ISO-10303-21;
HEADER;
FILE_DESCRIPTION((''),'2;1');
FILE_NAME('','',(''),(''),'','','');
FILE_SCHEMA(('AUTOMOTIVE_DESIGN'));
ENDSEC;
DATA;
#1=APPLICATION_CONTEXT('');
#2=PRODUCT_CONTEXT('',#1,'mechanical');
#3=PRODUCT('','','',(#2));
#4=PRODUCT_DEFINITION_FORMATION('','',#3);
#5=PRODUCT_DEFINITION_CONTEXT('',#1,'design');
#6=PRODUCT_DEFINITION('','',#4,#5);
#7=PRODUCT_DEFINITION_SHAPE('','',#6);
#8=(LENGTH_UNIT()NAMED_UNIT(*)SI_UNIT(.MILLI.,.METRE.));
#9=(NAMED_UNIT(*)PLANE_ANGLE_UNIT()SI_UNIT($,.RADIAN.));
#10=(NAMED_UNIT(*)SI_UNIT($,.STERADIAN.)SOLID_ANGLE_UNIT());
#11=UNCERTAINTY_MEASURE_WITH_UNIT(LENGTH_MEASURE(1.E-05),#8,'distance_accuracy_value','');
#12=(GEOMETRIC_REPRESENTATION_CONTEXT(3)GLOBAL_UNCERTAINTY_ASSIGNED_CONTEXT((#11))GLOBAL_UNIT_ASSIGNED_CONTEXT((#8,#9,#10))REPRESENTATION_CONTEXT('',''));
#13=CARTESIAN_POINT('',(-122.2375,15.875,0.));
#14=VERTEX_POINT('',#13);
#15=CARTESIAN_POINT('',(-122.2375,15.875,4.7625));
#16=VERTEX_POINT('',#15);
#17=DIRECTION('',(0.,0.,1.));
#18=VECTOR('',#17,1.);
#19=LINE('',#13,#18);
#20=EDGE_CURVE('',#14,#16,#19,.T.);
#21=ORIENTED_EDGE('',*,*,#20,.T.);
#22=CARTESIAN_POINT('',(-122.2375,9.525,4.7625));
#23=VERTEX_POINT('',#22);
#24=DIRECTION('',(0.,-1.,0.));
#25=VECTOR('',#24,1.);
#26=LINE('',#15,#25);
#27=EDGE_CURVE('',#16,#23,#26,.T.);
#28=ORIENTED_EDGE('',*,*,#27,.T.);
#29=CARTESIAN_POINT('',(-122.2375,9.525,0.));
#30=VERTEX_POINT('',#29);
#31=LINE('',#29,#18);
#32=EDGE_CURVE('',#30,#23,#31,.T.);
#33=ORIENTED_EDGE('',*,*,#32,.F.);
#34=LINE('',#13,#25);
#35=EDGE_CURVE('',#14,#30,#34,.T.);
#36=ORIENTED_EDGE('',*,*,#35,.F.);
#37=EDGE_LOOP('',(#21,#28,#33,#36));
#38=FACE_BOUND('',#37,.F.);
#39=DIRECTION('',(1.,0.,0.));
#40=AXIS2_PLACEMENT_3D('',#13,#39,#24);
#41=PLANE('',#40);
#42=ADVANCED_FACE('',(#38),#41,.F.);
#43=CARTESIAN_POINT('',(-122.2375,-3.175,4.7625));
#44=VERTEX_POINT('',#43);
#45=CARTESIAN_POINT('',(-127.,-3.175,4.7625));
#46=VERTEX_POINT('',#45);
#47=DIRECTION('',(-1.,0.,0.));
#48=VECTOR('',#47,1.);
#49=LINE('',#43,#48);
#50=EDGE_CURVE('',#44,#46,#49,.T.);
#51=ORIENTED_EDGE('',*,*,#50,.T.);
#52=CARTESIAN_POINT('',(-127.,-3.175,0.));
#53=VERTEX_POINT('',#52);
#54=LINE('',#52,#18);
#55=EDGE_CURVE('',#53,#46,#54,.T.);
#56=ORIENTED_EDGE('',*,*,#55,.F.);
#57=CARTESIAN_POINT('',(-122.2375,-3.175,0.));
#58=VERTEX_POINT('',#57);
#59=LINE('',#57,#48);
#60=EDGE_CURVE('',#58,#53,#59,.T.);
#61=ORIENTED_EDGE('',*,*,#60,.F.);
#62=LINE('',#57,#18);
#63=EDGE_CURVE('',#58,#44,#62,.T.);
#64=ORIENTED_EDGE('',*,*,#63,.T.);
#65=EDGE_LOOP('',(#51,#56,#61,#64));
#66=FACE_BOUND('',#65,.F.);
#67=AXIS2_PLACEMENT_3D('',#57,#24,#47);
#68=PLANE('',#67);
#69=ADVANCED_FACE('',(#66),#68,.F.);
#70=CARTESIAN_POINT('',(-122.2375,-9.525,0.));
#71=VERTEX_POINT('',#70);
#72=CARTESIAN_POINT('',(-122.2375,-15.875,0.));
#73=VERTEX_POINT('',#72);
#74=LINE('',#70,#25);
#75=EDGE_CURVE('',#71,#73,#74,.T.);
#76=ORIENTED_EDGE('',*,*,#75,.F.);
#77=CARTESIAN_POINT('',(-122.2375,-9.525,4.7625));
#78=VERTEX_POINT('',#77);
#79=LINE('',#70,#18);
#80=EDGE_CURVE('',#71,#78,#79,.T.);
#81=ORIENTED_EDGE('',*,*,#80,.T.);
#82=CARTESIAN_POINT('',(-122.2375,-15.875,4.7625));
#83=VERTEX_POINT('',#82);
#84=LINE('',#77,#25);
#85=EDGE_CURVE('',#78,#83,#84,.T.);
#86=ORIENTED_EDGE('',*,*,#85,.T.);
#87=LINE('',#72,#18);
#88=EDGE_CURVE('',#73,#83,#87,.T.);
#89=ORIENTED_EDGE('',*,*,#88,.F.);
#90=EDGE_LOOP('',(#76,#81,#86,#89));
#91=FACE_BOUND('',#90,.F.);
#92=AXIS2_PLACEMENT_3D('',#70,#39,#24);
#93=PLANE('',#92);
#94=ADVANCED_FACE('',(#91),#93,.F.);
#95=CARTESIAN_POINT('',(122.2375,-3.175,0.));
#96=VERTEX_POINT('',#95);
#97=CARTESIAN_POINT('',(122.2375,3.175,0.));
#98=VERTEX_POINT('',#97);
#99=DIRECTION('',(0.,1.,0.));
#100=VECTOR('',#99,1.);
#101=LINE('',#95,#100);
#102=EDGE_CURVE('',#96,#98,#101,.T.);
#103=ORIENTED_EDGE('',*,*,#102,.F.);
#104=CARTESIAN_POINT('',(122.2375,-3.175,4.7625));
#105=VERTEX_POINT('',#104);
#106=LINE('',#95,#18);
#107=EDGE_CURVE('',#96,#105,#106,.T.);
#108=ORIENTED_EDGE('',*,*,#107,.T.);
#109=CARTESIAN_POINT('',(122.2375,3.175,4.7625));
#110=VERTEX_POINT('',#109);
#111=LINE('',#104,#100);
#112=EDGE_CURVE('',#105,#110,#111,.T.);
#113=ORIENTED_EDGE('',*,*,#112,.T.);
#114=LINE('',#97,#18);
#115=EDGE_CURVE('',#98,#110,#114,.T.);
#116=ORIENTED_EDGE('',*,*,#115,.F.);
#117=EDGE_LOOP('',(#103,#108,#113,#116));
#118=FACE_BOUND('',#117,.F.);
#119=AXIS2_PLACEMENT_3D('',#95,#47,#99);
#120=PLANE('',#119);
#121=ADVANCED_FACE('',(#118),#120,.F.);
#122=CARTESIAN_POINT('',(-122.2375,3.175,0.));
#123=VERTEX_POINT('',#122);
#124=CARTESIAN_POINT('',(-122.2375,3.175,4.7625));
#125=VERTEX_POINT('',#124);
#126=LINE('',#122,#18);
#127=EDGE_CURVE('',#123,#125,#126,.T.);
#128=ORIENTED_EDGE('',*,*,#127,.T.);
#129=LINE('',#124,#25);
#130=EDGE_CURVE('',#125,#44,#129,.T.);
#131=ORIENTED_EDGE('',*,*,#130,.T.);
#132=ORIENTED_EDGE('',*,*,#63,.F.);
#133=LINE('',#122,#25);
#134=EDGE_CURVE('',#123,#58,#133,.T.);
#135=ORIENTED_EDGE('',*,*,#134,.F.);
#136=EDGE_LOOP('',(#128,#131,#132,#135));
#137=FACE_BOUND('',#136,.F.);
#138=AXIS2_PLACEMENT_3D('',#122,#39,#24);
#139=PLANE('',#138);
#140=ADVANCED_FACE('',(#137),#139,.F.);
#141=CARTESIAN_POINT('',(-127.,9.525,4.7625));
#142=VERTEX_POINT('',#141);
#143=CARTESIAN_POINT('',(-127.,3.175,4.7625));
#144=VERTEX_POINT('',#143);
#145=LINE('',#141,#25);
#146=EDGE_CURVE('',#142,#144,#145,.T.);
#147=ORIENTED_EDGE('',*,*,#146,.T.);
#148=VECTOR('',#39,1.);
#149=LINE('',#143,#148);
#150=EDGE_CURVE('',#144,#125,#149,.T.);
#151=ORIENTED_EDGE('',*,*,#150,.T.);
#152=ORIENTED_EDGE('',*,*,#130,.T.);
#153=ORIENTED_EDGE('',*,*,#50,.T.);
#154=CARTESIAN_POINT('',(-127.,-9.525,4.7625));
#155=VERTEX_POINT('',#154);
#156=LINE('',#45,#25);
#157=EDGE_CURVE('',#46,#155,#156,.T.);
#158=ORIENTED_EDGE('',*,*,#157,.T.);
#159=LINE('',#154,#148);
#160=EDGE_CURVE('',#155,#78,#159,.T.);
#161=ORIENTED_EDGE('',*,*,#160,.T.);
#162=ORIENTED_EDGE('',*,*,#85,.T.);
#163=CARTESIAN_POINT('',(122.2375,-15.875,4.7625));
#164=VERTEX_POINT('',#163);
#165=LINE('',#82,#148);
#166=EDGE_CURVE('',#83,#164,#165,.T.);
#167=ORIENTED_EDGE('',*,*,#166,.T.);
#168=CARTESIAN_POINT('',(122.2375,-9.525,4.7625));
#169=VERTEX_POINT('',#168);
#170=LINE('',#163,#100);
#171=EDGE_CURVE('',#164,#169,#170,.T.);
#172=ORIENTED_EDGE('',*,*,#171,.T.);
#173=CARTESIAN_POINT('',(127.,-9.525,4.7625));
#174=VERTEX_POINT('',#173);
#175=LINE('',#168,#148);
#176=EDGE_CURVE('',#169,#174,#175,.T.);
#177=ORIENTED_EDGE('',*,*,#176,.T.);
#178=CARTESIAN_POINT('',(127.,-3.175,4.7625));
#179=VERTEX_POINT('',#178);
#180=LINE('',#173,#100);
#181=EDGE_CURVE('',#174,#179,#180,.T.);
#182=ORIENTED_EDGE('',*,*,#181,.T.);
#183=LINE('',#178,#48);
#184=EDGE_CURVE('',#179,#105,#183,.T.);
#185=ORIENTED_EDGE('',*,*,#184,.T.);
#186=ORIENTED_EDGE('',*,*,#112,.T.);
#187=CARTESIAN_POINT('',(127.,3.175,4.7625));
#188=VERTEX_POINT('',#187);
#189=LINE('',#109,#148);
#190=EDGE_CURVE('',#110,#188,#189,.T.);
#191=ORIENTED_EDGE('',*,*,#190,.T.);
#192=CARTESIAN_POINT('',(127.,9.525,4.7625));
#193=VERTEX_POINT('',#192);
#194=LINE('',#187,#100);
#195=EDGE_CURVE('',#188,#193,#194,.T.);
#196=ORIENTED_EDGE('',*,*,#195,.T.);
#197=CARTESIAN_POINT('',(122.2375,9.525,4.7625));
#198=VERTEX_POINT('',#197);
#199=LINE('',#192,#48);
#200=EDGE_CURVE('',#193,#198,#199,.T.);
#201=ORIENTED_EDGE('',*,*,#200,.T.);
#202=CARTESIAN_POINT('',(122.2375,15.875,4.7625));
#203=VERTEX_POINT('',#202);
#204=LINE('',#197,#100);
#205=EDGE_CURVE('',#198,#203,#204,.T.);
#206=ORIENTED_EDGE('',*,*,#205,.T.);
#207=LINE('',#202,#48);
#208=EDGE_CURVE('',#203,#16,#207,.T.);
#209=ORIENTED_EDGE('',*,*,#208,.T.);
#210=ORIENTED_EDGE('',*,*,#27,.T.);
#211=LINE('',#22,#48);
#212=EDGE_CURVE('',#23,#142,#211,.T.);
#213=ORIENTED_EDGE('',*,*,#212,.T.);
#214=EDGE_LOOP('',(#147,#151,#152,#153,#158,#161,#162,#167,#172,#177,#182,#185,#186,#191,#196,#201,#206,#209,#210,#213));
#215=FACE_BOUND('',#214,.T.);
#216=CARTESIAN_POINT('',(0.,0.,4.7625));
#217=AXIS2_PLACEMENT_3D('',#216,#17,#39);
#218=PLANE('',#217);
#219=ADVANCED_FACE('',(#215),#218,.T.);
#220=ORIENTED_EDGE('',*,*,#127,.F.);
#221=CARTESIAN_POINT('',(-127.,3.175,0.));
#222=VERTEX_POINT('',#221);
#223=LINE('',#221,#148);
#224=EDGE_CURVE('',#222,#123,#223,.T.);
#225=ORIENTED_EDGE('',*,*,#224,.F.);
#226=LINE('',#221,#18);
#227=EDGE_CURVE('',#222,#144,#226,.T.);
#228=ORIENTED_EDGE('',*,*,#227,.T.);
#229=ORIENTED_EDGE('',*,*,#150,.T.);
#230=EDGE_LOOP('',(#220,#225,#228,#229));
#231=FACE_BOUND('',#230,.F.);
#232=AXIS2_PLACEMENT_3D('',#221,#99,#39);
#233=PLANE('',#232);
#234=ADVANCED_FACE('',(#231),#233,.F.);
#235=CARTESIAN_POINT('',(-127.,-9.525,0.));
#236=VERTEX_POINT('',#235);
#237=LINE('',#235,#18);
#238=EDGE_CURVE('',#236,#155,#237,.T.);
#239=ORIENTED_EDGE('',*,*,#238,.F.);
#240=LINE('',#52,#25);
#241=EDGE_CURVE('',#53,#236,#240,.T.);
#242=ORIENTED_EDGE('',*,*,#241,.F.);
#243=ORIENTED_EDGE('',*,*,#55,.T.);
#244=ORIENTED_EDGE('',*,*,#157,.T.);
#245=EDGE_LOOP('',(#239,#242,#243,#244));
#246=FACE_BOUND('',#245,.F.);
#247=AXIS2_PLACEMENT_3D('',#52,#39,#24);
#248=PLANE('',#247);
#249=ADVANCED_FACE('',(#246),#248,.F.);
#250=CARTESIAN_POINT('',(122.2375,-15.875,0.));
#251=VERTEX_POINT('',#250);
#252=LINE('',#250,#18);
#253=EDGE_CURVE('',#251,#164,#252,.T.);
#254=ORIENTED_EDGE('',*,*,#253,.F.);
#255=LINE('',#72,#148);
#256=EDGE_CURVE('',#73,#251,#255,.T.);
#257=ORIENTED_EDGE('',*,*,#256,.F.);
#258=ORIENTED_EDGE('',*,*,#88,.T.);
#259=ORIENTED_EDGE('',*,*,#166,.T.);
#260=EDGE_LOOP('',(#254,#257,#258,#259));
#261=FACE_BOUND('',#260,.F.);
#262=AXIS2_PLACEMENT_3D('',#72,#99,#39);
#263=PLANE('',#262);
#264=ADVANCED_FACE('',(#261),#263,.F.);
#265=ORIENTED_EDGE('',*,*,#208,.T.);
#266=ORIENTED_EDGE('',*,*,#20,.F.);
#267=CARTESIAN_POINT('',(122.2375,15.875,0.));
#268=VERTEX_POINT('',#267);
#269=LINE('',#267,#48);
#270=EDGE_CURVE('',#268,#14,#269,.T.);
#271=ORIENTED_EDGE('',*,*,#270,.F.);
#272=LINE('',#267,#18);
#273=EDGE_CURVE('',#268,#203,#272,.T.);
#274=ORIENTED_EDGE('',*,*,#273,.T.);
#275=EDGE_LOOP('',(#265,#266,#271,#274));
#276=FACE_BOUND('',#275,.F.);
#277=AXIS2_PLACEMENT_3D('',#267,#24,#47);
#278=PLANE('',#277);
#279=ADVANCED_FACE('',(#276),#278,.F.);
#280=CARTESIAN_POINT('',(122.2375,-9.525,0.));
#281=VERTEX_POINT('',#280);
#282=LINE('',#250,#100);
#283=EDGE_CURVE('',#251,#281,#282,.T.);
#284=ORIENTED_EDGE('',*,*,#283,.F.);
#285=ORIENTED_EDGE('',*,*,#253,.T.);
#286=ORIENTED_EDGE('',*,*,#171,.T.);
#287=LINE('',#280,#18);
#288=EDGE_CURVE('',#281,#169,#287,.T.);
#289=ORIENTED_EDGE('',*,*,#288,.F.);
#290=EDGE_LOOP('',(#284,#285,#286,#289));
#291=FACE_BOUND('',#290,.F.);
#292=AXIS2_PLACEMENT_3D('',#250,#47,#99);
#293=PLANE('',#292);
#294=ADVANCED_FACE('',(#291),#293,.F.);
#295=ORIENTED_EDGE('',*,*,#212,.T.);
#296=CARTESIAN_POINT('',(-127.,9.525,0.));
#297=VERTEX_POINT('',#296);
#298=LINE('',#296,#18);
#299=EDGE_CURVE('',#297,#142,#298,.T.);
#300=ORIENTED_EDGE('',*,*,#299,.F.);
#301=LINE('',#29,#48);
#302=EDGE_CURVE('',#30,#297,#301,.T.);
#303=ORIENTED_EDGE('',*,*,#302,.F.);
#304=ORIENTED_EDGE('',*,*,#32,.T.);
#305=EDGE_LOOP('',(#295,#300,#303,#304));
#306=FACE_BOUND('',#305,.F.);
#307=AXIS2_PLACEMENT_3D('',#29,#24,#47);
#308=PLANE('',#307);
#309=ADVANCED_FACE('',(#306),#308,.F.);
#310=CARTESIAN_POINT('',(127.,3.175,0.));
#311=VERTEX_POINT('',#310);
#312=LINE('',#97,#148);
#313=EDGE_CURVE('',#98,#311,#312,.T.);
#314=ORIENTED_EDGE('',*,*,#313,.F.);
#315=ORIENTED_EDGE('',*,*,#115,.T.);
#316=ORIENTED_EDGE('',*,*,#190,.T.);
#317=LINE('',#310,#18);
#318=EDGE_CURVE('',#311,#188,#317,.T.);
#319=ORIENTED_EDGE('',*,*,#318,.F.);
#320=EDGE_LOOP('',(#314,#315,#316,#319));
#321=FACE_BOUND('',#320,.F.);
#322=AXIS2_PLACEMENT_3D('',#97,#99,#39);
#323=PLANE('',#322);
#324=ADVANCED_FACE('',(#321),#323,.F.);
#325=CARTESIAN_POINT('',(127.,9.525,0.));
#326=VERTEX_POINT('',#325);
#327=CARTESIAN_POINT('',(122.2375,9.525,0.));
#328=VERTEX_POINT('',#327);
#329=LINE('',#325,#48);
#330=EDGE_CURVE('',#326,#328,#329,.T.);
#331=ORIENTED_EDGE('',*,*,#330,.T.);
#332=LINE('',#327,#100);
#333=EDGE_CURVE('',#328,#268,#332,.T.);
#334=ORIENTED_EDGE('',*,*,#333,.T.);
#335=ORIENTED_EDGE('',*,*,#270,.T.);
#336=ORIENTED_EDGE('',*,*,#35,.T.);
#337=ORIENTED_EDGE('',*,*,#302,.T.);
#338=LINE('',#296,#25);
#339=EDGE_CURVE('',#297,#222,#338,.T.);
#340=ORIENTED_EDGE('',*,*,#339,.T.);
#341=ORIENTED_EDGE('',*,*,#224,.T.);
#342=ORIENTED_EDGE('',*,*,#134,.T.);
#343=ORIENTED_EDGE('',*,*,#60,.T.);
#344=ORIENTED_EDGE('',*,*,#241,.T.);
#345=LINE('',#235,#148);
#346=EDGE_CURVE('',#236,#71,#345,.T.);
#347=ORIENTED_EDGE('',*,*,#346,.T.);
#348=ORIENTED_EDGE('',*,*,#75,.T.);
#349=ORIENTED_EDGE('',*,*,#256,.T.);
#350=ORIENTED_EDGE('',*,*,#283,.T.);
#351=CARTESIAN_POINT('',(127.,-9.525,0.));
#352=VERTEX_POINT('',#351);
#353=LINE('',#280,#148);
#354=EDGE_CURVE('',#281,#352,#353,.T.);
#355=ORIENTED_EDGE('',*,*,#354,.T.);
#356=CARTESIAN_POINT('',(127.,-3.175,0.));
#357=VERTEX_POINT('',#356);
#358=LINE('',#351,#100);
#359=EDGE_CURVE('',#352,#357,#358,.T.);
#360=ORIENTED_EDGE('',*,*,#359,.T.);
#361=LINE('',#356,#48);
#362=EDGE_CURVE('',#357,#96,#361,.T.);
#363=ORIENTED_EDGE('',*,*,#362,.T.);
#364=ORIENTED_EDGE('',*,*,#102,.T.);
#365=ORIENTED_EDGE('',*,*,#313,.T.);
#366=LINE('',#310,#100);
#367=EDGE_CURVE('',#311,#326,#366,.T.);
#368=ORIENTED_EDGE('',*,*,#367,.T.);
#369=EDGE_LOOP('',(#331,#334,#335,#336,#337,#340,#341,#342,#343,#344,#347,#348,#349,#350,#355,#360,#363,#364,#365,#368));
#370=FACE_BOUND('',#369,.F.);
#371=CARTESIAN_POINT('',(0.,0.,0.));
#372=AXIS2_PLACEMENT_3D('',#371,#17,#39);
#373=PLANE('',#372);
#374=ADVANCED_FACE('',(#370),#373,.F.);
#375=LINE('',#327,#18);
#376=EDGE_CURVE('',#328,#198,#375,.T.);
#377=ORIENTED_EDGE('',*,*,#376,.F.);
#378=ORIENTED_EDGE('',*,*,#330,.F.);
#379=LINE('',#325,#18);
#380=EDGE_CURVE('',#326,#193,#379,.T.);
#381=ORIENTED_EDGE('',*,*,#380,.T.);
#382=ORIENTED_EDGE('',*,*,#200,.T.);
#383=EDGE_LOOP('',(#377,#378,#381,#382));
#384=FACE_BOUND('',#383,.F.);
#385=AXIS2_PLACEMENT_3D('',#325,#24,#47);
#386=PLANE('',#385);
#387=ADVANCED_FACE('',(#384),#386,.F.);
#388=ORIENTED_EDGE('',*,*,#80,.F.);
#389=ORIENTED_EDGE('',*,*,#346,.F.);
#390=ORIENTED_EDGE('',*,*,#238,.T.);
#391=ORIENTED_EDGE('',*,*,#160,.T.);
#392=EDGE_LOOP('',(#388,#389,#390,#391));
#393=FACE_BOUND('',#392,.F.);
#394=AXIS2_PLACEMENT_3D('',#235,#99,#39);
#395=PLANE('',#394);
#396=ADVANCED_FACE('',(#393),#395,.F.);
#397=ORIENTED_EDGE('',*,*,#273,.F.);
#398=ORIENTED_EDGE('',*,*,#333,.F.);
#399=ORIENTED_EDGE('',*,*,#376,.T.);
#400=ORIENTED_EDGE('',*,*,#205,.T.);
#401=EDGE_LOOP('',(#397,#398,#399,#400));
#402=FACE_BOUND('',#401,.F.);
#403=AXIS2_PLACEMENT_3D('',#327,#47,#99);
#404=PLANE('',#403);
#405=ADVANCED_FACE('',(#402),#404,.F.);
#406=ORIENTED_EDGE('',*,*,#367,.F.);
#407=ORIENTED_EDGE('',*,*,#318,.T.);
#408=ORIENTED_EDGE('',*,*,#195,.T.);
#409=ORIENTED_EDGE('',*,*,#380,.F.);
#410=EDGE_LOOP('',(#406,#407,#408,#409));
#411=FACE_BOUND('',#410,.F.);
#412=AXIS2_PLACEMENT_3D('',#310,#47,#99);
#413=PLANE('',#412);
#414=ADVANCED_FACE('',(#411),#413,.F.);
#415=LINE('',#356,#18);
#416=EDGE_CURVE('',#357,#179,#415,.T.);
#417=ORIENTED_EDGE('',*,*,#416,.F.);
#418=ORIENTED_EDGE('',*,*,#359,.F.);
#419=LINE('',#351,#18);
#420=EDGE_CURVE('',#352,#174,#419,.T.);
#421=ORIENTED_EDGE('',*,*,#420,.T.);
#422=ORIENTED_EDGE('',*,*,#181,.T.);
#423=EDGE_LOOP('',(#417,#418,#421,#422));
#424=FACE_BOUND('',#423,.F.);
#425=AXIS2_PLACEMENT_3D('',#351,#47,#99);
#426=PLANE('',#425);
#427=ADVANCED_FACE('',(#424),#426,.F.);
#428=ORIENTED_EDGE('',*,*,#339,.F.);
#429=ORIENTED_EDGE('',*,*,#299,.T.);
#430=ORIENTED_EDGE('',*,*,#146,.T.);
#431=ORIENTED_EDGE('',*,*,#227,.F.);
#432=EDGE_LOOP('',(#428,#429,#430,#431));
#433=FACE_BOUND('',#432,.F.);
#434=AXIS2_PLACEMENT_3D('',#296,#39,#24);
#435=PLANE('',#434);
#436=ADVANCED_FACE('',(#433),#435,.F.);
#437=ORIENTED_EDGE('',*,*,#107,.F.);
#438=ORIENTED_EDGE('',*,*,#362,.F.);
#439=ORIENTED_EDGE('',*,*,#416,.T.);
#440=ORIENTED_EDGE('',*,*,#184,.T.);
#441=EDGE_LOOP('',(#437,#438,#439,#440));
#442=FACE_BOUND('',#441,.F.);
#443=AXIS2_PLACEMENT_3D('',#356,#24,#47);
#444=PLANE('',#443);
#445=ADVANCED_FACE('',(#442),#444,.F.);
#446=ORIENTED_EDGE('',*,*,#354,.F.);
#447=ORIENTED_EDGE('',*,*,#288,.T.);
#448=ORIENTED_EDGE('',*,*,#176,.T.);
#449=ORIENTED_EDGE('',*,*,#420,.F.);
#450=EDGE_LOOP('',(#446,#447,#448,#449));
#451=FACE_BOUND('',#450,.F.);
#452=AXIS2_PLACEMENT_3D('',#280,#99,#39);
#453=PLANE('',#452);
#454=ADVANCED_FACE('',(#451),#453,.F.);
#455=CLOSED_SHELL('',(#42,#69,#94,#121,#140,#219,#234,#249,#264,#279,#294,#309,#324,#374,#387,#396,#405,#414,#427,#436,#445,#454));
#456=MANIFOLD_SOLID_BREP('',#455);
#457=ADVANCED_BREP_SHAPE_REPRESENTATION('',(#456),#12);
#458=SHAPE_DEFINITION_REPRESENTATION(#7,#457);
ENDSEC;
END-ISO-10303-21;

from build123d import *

# Parameters (mm, degrees)
F1_DEPTH = 4.7625


with BuildPart() as f1:
    # F0 (on Top) → F1 (new body)
    with BuildSketch(Plane.XY):
        Polygon((122.2375, 15.875), (-122.2375, 15.875), (-122.2375, 9.525), (-127, 9.525), (-127, 3.175), (-122.2375, 3.175), (-122.2375, -3.175), (-127, -3.175), (-127, -9.525), (-122.2375, -9.525), (-122.2375, -15.875), (122.2375, -15.875), (122.2375, -9.525), (127, -9.525), (127, -3.175), (122.2375, -3.175), (122.2375, 3.175), (127, 3.175), (127, 9.525), (122.2375, 9.525), align=None)
    extrude(amount=F1_DEPTH)


solid = f1.part
